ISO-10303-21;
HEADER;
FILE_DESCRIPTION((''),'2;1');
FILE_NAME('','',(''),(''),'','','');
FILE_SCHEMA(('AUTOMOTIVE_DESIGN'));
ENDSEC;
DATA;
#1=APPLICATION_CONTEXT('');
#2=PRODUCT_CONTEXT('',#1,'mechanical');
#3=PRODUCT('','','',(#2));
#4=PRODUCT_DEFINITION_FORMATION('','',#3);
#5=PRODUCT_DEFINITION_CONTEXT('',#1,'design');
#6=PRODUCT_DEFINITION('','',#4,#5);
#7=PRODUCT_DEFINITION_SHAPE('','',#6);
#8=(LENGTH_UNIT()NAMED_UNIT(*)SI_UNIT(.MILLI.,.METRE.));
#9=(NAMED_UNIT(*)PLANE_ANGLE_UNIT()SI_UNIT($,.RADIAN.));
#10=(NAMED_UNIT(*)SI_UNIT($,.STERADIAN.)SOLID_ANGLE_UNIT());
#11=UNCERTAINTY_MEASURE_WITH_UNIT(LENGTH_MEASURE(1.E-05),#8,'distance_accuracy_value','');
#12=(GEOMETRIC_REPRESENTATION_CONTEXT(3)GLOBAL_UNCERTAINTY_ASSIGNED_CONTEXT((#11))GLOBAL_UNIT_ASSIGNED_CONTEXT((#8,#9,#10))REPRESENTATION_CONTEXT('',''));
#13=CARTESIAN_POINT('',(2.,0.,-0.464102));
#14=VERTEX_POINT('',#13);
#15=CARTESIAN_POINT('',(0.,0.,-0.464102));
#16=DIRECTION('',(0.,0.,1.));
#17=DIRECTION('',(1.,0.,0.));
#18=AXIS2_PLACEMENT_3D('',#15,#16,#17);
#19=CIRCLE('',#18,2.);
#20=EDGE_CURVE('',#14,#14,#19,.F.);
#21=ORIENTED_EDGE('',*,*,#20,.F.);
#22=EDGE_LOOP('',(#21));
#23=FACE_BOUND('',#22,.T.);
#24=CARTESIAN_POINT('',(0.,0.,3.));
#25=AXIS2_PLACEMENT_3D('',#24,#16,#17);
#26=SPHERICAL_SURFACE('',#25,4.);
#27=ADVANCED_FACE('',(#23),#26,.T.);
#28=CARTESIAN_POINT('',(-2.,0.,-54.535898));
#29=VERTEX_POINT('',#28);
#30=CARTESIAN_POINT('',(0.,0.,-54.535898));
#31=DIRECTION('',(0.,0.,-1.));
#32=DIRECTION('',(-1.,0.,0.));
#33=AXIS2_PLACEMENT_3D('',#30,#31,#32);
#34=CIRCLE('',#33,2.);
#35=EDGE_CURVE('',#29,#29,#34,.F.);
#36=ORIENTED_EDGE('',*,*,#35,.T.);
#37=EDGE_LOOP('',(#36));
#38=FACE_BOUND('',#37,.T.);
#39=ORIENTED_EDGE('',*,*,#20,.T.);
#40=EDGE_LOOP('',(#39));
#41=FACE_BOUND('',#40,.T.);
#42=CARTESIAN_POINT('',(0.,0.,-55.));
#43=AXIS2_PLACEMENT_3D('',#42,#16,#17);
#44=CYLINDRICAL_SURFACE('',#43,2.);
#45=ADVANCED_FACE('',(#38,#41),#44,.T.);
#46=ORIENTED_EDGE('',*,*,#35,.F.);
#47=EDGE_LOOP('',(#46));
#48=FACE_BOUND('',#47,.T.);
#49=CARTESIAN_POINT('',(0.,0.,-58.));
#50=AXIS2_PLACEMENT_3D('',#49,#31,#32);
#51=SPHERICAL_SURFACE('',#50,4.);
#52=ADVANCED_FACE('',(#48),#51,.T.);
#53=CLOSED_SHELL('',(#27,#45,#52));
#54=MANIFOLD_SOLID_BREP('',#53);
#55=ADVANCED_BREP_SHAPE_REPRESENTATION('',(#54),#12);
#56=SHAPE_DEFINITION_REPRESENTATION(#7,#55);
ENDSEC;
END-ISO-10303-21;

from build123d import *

# Parameters (mm, degrees)
SKETCH1_R           = 2
BOSS_EXTRUDE1_DEPTH = 55


with BuildPart() as part:
    # Sketch1 → Boss-Extrude1 (new body)
    with BuildSketch(Plane.XY):
        Circle(SKETCH1_R)
    extrude(amount=-BOSS_EXTRUDE1_DEPTH)

    # Sketch2 → Revolve1 (revolve)
    with BuildSketch(Plane.XY.offset(3)):
        with BuildLine():
            Line((0, 4), (0, -4))
            ThreePointArc((0, -4), (4, 0), (0, 4))
        make_face()
    revolve1 = revolve(axis=Axis((0, 4, 3), (0, -1, 0)))

    # Mirror2: Revolve1 across plane
    add(revolve1.mirror(Plane.XY.offset(-27.5)))


solid = part.part
